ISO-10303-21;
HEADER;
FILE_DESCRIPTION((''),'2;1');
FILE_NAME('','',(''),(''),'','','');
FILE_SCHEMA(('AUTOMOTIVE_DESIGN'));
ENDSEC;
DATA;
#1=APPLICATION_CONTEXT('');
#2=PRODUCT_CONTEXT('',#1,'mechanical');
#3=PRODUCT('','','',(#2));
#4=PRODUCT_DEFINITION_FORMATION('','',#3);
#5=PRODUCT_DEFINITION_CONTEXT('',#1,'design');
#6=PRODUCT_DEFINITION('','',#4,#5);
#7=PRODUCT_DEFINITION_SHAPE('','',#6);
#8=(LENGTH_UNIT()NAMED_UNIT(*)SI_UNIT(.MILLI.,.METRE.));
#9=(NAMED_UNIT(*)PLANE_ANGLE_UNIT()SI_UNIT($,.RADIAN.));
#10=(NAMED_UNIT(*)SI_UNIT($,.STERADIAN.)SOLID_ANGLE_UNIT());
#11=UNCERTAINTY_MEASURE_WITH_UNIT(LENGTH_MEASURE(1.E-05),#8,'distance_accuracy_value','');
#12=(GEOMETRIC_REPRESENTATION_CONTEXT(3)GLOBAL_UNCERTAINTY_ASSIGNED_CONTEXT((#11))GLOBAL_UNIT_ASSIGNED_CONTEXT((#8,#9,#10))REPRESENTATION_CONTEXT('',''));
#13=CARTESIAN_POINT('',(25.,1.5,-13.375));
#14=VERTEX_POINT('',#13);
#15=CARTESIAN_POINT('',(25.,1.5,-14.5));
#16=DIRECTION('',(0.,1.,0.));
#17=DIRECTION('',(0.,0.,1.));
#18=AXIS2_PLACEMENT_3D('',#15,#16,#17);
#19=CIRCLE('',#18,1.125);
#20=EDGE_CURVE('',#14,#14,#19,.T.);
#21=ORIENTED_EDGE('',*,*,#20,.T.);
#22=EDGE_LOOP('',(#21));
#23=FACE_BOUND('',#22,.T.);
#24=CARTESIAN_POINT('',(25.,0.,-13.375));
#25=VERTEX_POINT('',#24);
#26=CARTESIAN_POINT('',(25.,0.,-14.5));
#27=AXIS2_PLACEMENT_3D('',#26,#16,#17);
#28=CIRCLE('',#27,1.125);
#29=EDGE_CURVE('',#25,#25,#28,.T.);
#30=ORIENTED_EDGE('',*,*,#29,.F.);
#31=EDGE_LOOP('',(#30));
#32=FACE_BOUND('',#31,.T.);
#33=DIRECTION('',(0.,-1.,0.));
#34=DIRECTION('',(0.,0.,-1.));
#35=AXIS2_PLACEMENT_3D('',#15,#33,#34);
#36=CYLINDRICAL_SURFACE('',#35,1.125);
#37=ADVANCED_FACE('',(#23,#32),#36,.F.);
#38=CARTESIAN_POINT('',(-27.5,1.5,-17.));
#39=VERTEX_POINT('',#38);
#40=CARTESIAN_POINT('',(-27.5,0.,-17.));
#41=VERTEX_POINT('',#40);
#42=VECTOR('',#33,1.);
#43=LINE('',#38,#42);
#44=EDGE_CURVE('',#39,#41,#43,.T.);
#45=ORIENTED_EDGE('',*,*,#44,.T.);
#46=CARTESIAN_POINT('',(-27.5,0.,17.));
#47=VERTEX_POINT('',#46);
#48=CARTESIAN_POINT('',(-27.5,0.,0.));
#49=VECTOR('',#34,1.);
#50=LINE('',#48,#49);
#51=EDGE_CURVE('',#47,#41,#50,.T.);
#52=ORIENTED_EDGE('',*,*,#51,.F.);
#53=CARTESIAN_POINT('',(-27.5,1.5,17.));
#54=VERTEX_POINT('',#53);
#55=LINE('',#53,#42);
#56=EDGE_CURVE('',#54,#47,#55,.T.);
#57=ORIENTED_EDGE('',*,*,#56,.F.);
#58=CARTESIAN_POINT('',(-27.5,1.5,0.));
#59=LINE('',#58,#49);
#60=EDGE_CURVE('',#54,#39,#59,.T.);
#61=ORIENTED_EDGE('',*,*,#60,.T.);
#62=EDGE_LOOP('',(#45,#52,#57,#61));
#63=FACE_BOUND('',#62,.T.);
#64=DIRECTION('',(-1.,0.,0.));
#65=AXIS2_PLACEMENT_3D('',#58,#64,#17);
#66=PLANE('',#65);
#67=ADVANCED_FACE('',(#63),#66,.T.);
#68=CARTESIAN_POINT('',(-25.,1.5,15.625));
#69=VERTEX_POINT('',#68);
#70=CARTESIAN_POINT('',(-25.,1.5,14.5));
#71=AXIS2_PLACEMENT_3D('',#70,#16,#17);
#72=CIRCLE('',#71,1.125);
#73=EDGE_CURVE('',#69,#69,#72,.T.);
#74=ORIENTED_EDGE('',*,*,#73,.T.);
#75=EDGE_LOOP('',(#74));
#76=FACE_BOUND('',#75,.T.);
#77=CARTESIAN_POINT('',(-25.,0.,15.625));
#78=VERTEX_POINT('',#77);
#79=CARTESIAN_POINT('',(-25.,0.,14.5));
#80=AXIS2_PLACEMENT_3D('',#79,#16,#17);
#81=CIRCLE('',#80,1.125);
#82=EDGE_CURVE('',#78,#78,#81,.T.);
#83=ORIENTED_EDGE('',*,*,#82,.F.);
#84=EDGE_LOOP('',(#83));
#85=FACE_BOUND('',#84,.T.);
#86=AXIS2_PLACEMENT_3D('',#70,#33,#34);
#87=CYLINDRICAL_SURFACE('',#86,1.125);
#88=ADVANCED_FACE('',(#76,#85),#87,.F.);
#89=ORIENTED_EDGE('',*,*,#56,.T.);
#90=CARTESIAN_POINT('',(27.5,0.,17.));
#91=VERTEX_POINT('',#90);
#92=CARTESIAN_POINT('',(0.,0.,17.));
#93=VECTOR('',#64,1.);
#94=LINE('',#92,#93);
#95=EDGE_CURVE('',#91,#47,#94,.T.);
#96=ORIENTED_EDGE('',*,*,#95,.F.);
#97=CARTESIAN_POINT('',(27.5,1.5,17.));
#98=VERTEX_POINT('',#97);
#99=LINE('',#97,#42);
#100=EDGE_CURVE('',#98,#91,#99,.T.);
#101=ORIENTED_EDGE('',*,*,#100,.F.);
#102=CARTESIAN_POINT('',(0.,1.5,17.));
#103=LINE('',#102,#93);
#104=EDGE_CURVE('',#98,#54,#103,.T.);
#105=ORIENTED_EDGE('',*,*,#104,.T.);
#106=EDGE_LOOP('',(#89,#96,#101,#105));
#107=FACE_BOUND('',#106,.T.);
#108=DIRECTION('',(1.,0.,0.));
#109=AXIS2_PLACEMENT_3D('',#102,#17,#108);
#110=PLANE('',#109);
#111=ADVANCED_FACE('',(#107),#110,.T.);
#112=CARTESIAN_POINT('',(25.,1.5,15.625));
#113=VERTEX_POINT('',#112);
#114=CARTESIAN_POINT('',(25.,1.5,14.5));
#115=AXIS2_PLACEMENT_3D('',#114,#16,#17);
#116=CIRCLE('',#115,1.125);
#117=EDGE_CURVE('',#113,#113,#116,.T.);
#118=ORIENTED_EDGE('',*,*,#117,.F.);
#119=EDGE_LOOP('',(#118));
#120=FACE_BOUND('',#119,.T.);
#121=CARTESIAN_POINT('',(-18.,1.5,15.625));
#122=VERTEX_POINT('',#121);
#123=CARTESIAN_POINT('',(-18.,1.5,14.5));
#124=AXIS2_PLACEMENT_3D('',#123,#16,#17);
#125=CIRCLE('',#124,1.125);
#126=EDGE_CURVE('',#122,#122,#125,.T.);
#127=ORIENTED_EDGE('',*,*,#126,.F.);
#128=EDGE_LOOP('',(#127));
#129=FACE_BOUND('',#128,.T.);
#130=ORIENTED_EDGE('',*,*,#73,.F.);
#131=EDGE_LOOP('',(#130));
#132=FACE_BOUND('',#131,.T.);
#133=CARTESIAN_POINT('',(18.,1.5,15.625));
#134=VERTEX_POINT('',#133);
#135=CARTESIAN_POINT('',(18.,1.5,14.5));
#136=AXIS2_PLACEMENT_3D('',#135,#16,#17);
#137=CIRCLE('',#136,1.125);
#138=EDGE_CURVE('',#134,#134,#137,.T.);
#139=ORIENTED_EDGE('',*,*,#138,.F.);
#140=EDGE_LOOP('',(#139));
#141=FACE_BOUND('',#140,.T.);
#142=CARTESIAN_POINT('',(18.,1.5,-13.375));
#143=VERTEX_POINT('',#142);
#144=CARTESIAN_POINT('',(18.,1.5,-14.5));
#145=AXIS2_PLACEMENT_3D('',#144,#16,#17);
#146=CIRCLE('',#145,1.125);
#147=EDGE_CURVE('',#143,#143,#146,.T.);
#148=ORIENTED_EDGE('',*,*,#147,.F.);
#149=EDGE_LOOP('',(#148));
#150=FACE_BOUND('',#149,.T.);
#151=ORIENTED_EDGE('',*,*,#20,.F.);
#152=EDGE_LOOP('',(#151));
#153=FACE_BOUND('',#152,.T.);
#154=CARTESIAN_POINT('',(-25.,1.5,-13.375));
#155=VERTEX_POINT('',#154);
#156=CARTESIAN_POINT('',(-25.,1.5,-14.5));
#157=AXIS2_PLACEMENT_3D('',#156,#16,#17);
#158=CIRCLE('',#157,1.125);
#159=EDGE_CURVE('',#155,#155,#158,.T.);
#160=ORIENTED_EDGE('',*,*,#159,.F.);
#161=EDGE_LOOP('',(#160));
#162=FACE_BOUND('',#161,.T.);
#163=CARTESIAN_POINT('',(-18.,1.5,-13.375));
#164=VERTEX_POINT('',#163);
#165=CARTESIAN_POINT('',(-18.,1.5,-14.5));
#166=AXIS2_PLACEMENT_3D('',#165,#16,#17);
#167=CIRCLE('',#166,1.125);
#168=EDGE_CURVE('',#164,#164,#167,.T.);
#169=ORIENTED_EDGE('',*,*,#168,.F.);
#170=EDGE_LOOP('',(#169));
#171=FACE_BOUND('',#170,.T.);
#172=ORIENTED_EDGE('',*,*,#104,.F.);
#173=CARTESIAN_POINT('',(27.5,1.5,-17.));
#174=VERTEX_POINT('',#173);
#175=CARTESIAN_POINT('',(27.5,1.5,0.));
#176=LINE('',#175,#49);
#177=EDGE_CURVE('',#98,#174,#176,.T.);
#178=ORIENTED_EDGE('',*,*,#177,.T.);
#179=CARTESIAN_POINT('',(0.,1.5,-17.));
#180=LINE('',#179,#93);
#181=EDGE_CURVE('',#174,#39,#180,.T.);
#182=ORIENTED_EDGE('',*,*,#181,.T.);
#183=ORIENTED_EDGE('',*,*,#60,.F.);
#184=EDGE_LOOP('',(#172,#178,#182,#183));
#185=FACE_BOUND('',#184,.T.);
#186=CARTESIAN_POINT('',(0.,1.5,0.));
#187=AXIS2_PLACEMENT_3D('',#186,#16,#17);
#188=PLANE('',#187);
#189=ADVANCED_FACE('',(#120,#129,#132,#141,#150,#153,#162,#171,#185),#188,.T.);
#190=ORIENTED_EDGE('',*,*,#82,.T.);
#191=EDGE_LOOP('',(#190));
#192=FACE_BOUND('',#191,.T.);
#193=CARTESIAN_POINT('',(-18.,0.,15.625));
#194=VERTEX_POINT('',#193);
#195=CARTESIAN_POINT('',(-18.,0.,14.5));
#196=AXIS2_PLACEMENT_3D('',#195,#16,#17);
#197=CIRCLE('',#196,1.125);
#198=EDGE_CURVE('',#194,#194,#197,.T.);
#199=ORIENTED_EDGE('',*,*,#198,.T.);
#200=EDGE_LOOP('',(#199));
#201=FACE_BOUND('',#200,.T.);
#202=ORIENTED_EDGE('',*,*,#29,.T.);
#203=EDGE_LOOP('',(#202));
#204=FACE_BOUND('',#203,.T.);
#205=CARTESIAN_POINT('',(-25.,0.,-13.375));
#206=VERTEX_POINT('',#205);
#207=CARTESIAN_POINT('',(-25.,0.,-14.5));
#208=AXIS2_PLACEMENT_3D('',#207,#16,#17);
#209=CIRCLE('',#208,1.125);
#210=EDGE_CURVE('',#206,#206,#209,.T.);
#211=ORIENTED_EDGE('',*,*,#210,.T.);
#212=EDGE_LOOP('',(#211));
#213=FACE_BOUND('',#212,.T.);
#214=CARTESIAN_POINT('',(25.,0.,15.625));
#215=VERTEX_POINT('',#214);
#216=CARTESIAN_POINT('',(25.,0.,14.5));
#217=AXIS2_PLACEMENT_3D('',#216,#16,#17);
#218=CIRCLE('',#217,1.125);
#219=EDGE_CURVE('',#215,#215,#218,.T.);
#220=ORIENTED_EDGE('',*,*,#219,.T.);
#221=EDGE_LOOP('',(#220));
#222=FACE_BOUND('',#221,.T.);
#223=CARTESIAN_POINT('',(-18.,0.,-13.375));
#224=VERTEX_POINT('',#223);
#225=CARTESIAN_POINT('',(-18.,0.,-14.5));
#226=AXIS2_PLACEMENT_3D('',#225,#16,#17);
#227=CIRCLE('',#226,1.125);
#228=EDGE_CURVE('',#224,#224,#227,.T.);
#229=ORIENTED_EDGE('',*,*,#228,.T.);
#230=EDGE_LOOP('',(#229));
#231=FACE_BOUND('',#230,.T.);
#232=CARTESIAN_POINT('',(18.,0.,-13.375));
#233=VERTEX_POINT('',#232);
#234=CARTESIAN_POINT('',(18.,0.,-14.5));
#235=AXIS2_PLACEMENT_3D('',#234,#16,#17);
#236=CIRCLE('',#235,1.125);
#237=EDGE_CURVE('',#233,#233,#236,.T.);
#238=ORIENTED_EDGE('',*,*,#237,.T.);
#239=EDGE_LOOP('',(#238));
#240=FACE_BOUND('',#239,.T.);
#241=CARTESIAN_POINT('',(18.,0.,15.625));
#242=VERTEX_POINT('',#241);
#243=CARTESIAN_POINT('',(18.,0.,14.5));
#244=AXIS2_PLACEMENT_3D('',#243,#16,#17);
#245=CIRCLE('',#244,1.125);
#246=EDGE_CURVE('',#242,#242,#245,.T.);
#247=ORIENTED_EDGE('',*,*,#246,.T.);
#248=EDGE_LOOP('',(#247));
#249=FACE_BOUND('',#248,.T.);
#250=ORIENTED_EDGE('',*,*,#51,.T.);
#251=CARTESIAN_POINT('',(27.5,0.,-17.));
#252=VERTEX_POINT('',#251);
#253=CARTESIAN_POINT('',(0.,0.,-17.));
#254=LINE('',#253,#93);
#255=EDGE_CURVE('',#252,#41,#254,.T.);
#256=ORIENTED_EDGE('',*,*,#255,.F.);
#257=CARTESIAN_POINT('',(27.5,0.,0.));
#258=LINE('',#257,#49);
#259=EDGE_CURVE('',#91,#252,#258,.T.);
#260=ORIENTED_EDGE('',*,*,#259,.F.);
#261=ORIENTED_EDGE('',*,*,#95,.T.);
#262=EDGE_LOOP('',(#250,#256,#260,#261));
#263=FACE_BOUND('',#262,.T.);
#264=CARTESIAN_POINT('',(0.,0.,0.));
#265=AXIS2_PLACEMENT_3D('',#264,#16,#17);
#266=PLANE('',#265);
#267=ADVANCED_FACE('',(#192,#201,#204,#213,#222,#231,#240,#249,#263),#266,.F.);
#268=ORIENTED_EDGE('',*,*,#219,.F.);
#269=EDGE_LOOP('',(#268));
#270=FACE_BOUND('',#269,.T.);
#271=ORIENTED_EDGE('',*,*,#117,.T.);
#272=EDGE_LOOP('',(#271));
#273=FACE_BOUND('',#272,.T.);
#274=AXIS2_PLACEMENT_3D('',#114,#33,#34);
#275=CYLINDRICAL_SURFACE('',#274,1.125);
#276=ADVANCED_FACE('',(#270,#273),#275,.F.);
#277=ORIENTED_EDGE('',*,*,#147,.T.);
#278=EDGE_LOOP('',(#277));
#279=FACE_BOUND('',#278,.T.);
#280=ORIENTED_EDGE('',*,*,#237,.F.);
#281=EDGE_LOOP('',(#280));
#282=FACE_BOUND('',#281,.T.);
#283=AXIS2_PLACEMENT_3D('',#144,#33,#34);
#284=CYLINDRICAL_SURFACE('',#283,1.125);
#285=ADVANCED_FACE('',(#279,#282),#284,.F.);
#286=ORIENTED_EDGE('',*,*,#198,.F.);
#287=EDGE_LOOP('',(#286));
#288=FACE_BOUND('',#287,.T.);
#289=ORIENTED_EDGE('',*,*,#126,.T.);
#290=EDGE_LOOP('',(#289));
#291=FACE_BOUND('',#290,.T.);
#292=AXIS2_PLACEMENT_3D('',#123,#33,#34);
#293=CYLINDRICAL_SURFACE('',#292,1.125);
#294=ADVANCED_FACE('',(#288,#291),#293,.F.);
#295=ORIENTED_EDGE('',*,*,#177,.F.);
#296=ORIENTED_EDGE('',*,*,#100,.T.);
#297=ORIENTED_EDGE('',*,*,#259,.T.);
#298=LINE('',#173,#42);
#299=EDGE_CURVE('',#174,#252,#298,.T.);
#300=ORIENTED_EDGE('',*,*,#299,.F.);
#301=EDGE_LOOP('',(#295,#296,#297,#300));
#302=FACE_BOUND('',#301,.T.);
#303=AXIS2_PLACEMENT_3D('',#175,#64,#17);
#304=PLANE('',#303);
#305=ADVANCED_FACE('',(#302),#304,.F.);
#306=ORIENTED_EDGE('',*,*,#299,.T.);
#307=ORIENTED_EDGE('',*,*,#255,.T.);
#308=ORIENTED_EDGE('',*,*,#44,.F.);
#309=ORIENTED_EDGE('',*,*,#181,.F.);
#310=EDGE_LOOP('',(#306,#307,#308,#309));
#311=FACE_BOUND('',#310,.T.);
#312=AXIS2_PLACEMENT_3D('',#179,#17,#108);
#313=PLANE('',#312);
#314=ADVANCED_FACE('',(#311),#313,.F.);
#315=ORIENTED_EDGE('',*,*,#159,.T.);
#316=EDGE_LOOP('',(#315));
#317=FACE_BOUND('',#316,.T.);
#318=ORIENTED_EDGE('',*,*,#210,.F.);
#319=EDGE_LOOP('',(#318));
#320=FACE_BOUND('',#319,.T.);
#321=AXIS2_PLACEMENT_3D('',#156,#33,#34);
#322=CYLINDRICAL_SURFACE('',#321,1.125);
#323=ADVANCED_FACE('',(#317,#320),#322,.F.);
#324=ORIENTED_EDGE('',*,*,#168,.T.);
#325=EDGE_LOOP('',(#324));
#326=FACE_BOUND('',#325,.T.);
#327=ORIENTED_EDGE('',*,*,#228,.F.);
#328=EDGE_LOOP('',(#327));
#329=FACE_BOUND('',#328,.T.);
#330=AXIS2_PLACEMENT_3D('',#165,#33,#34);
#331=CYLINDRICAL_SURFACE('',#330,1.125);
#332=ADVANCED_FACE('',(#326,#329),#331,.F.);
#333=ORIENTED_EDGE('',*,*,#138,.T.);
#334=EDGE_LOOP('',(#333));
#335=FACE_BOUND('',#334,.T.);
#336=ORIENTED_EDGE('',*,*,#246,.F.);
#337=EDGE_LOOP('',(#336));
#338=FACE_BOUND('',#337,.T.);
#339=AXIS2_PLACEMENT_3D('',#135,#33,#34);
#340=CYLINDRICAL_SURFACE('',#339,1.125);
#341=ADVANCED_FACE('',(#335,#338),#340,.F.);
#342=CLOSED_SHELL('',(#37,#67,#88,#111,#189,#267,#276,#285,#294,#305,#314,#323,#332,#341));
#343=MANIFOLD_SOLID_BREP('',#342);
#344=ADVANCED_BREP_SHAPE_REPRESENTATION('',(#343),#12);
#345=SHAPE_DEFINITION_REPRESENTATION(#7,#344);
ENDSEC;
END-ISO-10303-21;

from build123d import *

# Parameters (mm, degrees)
SKETCH1_W           = 55
SKETCH1_H           = 34
BOSS_EXTRUDE1_DEPTH = 1.5
SKETCH3_R           = 1.125
CUT_EXTRUDE5_DEPTH  = 33.365104665


with BuildPart() as part:
    # Sketch1 → Boss-Extrude1 (new body)
    with BuildSketch(Plane(origin=(0, 0, 0), x_dir=(1, 0, 0), z_dir=(0, 1, 0))):
        Rectangle(SKETCH1_W, SKETCH1_H)
    extrude(amount=BOSS_EXTRUDE1_DEPTH)

    # Sketch3 → Cut-Extrude5 (cut, through all)
    with BuildSketch(Plane(origin=(0, 0, 0), x_dir=(1, 0, 0), z_dir=(0, 1, 0))):
        with Locations(Location((-18, 14.5, 0), (0, 0, 270))):
            Circle(SKETCH3_R)
        with Locations(Location((18, 14.5, 0), (0, 0, 270))):
            Circle(SKETCH3_R)
        with Locations(Location((-18, -14.5, 0), (0, 0, 270))):
            Circle(SKETCH3_R)
        with Locations(Location((18, -14.5, 0), (0, 0, 270))):
            Circle(SKETCH3_R)
        with Locations(Location((-25, 14.5, 0), (0, 0, 270))):
            Circle(SKETCH3_R)
        with Locations(Location((25, 14.5, 0), (0, 0, 270))):
            Circle(SKETCH3_R)
        with Locations(Location((25, -14.5, 0), (0, 0, 270))):
            Circle(SKETCH3_R)
        with Locations(Location((-25, -14.5, 0), (0, 0, 270))):
            Circle(SKETCH3_R)
    extrude(amount=CUT_EXTRUDE5_DEPTH, mode=Mode.SUBTRACT)


solid = part.part
